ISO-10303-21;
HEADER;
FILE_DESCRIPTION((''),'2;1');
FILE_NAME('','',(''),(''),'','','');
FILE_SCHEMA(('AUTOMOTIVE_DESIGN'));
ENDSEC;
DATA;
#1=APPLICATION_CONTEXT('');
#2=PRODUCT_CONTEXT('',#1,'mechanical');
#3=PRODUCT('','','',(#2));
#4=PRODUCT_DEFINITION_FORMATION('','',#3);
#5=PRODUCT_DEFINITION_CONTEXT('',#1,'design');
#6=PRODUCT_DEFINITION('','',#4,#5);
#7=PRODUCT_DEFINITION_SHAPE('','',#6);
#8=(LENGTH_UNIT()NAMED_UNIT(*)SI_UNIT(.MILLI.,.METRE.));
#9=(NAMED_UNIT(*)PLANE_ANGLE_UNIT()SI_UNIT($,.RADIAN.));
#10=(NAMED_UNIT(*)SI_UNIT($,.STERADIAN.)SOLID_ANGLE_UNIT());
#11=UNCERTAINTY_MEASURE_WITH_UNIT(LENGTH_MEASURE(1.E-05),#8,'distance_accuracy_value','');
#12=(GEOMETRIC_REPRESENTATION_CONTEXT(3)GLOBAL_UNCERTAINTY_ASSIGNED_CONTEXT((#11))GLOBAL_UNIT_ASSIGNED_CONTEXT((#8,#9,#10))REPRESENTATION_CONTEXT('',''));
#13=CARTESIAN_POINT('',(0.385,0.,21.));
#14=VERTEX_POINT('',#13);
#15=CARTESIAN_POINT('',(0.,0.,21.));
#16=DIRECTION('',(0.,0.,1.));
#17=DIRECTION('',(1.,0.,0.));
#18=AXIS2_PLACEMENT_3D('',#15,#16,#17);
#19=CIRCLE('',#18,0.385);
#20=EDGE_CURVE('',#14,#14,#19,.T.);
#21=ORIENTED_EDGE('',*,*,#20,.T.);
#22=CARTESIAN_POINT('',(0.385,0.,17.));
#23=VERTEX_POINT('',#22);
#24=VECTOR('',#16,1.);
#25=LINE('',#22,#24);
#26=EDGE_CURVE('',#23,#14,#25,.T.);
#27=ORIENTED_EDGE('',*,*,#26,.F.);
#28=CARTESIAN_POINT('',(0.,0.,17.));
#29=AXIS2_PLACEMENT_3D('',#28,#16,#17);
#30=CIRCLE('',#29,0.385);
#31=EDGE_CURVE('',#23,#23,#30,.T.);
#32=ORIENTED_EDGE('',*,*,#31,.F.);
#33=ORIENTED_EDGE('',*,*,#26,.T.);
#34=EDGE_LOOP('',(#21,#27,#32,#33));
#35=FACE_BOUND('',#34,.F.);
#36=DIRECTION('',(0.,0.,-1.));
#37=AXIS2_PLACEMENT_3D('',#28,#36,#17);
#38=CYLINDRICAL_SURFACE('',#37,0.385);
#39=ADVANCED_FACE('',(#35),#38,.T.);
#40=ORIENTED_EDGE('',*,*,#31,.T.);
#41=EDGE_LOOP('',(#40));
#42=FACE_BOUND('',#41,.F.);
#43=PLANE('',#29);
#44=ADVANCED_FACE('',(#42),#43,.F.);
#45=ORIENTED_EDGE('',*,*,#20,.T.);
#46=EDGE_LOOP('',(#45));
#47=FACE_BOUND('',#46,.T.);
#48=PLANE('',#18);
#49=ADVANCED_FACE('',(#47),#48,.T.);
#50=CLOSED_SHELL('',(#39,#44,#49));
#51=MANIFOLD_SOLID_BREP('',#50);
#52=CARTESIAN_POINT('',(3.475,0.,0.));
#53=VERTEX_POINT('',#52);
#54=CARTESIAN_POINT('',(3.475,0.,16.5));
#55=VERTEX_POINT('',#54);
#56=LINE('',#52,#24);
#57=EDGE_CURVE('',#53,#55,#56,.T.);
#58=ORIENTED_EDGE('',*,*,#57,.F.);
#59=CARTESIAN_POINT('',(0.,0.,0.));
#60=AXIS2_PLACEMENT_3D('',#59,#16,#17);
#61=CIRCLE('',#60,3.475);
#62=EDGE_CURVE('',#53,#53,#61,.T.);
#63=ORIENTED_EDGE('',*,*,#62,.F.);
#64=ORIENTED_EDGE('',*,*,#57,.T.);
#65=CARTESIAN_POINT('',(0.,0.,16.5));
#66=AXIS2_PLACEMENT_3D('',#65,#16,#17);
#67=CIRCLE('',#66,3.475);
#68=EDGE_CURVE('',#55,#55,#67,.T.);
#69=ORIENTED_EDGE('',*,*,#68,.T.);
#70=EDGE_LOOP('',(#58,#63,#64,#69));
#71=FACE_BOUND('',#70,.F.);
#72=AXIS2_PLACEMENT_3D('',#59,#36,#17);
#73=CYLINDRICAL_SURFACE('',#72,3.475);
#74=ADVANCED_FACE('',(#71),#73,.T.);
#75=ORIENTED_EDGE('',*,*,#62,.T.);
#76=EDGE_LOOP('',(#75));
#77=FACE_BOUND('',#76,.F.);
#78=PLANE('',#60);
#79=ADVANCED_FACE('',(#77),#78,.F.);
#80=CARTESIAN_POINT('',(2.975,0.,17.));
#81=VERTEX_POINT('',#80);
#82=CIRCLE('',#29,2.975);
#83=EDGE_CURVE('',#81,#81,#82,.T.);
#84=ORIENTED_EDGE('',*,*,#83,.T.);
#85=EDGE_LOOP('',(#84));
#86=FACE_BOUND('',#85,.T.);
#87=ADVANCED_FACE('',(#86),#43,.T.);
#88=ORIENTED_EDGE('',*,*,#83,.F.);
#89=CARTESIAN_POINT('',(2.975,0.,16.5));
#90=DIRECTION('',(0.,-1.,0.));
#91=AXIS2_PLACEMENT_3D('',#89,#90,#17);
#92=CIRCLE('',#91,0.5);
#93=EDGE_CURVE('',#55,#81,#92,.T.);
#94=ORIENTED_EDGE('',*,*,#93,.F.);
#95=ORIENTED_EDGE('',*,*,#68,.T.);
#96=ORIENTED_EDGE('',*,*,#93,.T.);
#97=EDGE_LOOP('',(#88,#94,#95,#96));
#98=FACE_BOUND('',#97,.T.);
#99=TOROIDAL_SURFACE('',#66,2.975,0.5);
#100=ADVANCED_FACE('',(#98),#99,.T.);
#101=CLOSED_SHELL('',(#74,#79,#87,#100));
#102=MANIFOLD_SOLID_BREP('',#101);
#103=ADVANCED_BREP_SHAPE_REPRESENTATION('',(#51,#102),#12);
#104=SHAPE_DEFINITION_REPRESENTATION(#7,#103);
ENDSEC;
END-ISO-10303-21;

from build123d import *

# Parameters (mm, degrees)
F0_R     = 3.475
F1_DEPTH = 17
F2_R     = 0.385
F3_DEPTH = 4
F4_R     = 0.5


with BuildPart() as f1:
    # F0 (on Top) → F1 (new body)
    with BuildSketch(Plane.XY):
        Circle(F0_R)
    extrude(amount=F1_DEPTH)

    # F4
    f4_edges = [f1.edges().sort_by_distance(p)[0] for p in [
        (-3.475, 0, 17),
    ]]
    fillet(f4_edges, radius=F4_R)


with BuildPart() as f3:
    # F2 (on face) → F3 (new body)
    with BuildSketch(Plane.XY.offset(17)):
        Circle(F2_R)
    extrude(amount=F3_DEPTH)


solid = Compound([f1.part, f3.part])
